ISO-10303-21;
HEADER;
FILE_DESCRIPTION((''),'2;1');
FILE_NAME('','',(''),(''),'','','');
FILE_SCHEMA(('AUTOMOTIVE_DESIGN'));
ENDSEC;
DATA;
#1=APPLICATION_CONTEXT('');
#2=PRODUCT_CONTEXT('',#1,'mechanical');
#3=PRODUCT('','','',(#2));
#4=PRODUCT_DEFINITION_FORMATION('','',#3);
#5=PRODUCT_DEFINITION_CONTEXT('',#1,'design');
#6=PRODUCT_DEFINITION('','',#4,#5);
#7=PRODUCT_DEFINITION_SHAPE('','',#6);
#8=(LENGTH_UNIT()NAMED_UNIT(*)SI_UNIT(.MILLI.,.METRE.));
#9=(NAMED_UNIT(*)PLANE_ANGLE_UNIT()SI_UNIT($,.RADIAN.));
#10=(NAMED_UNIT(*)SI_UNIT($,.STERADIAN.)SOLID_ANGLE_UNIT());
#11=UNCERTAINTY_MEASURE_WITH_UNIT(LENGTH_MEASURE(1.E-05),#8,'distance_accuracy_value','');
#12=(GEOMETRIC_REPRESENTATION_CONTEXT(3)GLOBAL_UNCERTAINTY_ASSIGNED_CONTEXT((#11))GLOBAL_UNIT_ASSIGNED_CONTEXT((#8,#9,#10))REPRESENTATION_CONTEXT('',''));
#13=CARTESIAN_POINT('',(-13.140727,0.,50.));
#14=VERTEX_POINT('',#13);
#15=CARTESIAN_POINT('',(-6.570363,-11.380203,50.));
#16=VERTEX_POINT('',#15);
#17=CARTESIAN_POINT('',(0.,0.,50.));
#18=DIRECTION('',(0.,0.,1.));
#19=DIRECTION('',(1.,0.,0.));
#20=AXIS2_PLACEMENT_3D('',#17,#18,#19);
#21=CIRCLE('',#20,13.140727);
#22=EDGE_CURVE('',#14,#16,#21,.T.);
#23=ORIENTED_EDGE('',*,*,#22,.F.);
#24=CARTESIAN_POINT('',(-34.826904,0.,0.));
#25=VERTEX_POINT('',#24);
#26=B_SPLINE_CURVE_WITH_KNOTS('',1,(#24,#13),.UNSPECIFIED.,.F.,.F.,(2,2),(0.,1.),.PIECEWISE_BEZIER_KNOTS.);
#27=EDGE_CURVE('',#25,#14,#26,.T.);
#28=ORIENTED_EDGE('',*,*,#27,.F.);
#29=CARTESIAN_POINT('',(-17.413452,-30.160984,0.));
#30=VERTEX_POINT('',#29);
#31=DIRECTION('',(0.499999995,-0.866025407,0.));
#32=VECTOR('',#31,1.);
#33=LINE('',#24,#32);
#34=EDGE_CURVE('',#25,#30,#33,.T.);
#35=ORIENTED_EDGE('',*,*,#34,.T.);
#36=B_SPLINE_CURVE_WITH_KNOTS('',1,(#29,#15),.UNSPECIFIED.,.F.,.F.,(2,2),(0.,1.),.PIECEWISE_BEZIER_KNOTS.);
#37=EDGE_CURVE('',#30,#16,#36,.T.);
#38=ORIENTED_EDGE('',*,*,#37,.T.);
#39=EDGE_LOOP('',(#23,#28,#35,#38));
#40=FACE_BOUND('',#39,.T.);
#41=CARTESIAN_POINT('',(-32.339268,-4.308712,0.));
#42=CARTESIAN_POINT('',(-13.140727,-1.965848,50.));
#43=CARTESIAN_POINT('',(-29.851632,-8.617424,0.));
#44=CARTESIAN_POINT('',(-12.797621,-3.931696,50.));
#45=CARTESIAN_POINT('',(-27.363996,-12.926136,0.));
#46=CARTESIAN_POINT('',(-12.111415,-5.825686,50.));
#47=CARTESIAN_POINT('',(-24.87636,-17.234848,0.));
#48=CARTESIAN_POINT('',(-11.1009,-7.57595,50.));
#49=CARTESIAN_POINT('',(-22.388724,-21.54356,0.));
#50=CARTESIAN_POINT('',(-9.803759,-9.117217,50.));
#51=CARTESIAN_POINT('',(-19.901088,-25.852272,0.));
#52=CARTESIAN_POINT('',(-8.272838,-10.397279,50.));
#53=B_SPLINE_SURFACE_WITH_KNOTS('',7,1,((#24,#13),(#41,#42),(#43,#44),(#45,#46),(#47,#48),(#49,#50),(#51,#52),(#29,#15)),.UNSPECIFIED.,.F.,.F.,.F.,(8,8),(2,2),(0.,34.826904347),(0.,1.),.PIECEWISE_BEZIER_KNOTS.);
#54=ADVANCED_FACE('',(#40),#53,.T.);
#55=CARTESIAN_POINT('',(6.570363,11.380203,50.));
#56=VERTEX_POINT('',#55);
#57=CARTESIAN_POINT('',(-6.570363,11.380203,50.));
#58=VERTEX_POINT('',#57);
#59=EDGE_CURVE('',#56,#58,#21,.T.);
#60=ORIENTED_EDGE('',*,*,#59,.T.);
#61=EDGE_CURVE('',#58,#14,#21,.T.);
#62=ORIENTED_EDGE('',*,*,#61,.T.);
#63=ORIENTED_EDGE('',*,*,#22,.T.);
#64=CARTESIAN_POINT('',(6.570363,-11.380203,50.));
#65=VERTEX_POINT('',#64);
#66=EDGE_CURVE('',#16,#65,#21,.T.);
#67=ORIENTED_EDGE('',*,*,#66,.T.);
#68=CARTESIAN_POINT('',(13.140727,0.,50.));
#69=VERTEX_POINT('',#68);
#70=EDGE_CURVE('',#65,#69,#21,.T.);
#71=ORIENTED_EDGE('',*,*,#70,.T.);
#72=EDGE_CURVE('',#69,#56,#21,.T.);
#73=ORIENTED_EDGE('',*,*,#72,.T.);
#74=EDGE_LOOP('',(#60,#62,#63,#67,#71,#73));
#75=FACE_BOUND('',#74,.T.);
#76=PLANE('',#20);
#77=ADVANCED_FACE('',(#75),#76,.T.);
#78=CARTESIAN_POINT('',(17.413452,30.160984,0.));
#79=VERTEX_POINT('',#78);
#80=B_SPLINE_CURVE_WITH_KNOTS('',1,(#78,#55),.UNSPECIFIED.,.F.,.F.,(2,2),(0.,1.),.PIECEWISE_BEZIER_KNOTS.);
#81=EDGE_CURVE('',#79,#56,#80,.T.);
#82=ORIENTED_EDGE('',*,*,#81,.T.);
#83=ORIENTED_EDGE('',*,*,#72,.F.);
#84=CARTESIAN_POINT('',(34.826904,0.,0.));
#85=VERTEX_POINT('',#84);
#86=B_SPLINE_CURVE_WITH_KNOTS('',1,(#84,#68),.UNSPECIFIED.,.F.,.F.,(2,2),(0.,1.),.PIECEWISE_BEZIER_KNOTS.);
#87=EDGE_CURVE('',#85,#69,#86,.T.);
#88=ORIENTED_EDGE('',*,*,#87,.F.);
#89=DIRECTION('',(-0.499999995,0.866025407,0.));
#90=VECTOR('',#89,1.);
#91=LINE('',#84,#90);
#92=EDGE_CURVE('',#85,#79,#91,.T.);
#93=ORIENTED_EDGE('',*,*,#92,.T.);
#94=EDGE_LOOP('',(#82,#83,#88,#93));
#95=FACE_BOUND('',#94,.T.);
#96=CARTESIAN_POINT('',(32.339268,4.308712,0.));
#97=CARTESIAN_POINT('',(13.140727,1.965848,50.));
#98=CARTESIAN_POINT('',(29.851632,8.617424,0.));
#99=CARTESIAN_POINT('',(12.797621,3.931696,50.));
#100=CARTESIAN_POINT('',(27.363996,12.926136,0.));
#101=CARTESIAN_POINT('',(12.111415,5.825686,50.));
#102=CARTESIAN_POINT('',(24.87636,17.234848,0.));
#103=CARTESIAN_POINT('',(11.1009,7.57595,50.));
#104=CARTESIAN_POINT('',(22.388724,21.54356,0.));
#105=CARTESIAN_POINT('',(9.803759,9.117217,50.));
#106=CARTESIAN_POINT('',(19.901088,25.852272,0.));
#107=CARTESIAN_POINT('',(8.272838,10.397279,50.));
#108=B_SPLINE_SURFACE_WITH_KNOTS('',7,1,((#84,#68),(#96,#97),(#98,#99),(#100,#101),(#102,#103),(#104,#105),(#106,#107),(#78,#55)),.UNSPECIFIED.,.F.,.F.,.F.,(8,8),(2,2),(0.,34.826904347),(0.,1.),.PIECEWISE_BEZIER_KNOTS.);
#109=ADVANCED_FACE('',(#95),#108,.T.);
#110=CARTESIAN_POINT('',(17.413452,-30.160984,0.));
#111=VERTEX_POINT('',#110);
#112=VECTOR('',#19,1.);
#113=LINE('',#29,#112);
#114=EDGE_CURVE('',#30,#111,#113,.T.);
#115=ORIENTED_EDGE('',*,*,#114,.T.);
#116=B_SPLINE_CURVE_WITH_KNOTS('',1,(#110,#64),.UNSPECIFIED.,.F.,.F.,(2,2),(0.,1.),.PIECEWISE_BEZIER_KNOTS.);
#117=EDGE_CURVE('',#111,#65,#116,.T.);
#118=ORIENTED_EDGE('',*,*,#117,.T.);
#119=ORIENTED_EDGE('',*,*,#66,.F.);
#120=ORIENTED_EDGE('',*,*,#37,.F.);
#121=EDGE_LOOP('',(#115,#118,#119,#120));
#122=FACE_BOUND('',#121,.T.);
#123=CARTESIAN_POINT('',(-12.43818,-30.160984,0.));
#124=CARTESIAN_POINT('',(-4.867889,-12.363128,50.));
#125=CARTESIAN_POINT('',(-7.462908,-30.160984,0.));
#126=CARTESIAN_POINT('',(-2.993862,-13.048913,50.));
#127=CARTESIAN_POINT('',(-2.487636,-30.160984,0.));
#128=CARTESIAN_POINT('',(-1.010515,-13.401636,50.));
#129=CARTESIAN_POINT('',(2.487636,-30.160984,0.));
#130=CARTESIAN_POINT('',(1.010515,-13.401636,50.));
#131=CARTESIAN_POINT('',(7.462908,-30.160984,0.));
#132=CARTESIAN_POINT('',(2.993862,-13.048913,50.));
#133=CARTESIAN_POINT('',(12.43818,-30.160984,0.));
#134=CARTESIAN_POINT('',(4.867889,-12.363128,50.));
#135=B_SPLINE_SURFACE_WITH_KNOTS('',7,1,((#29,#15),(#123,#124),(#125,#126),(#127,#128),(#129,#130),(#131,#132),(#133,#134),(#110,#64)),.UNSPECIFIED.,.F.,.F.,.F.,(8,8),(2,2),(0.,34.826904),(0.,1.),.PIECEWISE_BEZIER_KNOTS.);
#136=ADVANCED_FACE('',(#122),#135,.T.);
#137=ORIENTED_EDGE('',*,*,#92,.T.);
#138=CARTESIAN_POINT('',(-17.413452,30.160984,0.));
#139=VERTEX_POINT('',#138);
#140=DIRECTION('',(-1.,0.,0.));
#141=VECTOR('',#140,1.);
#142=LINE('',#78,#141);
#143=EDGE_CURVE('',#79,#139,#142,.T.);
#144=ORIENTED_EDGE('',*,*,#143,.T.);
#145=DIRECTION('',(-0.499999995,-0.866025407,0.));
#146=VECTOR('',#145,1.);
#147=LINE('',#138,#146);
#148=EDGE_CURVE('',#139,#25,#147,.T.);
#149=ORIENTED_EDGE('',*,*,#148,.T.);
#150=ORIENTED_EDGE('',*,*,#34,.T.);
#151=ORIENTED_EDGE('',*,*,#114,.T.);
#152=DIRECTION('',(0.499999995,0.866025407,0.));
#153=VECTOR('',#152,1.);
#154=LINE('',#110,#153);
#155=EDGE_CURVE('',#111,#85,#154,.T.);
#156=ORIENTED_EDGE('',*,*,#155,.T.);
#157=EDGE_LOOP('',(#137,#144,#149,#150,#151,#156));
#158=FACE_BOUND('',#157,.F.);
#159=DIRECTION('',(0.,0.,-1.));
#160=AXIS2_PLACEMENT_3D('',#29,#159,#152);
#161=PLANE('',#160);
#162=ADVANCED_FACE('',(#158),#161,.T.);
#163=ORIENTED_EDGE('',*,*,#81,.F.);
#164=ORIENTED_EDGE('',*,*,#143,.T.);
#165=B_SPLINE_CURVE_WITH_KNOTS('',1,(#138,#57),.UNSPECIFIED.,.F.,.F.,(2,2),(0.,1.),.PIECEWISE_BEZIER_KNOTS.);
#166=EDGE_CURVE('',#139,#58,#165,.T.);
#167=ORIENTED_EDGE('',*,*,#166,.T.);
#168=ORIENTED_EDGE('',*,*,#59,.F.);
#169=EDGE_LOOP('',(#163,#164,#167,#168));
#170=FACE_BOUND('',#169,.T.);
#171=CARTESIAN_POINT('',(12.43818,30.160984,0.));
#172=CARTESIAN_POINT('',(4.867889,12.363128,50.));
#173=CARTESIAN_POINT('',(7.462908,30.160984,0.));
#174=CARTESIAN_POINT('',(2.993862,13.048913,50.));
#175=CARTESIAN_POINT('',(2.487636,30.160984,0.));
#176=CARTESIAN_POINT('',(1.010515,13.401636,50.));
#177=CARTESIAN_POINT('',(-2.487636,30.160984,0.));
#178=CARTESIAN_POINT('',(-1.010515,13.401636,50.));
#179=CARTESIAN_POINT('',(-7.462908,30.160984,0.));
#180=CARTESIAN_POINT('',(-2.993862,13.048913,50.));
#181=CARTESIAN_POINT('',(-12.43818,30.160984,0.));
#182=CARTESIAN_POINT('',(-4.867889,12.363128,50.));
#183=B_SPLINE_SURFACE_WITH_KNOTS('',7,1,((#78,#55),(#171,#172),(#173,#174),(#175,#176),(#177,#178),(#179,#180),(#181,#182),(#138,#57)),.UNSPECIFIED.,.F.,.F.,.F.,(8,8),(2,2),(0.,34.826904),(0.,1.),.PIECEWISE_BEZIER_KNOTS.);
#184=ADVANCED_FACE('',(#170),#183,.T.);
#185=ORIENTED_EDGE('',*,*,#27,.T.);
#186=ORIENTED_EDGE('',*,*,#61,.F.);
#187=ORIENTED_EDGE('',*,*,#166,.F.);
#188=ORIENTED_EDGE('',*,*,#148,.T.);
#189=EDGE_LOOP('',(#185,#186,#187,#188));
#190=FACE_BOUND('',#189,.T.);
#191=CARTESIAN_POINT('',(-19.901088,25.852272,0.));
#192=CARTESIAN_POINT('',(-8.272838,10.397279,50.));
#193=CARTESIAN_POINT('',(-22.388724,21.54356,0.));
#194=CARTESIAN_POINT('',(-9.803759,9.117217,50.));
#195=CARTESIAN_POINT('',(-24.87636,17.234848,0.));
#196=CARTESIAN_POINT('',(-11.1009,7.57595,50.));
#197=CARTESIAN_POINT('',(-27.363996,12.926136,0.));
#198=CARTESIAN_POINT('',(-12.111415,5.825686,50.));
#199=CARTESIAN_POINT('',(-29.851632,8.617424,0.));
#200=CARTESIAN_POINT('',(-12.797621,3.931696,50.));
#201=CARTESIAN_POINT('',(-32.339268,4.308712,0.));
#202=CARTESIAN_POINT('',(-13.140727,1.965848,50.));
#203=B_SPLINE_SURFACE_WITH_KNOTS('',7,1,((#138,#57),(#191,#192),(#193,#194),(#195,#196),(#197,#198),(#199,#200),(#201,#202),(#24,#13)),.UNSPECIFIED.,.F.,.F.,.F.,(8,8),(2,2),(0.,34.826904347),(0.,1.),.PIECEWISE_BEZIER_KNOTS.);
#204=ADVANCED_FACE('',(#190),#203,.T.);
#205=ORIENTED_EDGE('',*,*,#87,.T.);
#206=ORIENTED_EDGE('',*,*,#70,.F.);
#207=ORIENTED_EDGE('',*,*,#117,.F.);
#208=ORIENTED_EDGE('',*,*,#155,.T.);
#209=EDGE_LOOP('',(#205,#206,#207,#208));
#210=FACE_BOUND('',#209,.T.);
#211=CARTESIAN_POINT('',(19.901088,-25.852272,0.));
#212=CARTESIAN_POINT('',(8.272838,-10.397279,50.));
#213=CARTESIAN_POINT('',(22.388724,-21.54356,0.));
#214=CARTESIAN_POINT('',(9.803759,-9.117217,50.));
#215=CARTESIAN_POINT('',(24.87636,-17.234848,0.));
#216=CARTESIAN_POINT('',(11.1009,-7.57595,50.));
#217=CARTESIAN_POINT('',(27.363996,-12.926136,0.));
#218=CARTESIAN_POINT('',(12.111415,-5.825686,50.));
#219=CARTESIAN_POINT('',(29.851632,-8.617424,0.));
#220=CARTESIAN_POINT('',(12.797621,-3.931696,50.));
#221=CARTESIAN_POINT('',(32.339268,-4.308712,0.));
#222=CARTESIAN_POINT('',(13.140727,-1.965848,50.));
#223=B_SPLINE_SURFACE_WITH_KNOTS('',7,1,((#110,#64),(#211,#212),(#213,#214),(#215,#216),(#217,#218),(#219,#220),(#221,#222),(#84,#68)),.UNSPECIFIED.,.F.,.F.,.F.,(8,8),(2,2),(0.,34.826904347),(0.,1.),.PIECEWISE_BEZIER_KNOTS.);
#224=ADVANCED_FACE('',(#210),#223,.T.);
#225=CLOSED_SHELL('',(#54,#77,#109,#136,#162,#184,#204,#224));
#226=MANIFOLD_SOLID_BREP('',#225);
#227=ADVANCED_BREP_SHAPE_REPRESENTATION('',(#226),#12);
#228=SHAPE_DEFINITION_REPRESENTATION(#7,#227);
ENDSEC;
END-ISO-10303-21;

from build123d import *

# Parameters (mm, degrees)
F2_R = 13.140727


with BuildPart() as f3:
    # F0 (on Top) → F3 section 0
    with BuildSketch(Plane.XY):
        Polygon((-17.413452, -30.160984), (17.413452, -30.160984), (34.826904, 0), (17.413452, 30.160984), (-17.413452, 30.160984), (-34.826904, 0), align=None)
    # F2 (on offset) → F3 section 1
    with BuildSketch(Plane.XY.offset(50)):
        Circle(F2_R)
    loft()


solid = f3.part
